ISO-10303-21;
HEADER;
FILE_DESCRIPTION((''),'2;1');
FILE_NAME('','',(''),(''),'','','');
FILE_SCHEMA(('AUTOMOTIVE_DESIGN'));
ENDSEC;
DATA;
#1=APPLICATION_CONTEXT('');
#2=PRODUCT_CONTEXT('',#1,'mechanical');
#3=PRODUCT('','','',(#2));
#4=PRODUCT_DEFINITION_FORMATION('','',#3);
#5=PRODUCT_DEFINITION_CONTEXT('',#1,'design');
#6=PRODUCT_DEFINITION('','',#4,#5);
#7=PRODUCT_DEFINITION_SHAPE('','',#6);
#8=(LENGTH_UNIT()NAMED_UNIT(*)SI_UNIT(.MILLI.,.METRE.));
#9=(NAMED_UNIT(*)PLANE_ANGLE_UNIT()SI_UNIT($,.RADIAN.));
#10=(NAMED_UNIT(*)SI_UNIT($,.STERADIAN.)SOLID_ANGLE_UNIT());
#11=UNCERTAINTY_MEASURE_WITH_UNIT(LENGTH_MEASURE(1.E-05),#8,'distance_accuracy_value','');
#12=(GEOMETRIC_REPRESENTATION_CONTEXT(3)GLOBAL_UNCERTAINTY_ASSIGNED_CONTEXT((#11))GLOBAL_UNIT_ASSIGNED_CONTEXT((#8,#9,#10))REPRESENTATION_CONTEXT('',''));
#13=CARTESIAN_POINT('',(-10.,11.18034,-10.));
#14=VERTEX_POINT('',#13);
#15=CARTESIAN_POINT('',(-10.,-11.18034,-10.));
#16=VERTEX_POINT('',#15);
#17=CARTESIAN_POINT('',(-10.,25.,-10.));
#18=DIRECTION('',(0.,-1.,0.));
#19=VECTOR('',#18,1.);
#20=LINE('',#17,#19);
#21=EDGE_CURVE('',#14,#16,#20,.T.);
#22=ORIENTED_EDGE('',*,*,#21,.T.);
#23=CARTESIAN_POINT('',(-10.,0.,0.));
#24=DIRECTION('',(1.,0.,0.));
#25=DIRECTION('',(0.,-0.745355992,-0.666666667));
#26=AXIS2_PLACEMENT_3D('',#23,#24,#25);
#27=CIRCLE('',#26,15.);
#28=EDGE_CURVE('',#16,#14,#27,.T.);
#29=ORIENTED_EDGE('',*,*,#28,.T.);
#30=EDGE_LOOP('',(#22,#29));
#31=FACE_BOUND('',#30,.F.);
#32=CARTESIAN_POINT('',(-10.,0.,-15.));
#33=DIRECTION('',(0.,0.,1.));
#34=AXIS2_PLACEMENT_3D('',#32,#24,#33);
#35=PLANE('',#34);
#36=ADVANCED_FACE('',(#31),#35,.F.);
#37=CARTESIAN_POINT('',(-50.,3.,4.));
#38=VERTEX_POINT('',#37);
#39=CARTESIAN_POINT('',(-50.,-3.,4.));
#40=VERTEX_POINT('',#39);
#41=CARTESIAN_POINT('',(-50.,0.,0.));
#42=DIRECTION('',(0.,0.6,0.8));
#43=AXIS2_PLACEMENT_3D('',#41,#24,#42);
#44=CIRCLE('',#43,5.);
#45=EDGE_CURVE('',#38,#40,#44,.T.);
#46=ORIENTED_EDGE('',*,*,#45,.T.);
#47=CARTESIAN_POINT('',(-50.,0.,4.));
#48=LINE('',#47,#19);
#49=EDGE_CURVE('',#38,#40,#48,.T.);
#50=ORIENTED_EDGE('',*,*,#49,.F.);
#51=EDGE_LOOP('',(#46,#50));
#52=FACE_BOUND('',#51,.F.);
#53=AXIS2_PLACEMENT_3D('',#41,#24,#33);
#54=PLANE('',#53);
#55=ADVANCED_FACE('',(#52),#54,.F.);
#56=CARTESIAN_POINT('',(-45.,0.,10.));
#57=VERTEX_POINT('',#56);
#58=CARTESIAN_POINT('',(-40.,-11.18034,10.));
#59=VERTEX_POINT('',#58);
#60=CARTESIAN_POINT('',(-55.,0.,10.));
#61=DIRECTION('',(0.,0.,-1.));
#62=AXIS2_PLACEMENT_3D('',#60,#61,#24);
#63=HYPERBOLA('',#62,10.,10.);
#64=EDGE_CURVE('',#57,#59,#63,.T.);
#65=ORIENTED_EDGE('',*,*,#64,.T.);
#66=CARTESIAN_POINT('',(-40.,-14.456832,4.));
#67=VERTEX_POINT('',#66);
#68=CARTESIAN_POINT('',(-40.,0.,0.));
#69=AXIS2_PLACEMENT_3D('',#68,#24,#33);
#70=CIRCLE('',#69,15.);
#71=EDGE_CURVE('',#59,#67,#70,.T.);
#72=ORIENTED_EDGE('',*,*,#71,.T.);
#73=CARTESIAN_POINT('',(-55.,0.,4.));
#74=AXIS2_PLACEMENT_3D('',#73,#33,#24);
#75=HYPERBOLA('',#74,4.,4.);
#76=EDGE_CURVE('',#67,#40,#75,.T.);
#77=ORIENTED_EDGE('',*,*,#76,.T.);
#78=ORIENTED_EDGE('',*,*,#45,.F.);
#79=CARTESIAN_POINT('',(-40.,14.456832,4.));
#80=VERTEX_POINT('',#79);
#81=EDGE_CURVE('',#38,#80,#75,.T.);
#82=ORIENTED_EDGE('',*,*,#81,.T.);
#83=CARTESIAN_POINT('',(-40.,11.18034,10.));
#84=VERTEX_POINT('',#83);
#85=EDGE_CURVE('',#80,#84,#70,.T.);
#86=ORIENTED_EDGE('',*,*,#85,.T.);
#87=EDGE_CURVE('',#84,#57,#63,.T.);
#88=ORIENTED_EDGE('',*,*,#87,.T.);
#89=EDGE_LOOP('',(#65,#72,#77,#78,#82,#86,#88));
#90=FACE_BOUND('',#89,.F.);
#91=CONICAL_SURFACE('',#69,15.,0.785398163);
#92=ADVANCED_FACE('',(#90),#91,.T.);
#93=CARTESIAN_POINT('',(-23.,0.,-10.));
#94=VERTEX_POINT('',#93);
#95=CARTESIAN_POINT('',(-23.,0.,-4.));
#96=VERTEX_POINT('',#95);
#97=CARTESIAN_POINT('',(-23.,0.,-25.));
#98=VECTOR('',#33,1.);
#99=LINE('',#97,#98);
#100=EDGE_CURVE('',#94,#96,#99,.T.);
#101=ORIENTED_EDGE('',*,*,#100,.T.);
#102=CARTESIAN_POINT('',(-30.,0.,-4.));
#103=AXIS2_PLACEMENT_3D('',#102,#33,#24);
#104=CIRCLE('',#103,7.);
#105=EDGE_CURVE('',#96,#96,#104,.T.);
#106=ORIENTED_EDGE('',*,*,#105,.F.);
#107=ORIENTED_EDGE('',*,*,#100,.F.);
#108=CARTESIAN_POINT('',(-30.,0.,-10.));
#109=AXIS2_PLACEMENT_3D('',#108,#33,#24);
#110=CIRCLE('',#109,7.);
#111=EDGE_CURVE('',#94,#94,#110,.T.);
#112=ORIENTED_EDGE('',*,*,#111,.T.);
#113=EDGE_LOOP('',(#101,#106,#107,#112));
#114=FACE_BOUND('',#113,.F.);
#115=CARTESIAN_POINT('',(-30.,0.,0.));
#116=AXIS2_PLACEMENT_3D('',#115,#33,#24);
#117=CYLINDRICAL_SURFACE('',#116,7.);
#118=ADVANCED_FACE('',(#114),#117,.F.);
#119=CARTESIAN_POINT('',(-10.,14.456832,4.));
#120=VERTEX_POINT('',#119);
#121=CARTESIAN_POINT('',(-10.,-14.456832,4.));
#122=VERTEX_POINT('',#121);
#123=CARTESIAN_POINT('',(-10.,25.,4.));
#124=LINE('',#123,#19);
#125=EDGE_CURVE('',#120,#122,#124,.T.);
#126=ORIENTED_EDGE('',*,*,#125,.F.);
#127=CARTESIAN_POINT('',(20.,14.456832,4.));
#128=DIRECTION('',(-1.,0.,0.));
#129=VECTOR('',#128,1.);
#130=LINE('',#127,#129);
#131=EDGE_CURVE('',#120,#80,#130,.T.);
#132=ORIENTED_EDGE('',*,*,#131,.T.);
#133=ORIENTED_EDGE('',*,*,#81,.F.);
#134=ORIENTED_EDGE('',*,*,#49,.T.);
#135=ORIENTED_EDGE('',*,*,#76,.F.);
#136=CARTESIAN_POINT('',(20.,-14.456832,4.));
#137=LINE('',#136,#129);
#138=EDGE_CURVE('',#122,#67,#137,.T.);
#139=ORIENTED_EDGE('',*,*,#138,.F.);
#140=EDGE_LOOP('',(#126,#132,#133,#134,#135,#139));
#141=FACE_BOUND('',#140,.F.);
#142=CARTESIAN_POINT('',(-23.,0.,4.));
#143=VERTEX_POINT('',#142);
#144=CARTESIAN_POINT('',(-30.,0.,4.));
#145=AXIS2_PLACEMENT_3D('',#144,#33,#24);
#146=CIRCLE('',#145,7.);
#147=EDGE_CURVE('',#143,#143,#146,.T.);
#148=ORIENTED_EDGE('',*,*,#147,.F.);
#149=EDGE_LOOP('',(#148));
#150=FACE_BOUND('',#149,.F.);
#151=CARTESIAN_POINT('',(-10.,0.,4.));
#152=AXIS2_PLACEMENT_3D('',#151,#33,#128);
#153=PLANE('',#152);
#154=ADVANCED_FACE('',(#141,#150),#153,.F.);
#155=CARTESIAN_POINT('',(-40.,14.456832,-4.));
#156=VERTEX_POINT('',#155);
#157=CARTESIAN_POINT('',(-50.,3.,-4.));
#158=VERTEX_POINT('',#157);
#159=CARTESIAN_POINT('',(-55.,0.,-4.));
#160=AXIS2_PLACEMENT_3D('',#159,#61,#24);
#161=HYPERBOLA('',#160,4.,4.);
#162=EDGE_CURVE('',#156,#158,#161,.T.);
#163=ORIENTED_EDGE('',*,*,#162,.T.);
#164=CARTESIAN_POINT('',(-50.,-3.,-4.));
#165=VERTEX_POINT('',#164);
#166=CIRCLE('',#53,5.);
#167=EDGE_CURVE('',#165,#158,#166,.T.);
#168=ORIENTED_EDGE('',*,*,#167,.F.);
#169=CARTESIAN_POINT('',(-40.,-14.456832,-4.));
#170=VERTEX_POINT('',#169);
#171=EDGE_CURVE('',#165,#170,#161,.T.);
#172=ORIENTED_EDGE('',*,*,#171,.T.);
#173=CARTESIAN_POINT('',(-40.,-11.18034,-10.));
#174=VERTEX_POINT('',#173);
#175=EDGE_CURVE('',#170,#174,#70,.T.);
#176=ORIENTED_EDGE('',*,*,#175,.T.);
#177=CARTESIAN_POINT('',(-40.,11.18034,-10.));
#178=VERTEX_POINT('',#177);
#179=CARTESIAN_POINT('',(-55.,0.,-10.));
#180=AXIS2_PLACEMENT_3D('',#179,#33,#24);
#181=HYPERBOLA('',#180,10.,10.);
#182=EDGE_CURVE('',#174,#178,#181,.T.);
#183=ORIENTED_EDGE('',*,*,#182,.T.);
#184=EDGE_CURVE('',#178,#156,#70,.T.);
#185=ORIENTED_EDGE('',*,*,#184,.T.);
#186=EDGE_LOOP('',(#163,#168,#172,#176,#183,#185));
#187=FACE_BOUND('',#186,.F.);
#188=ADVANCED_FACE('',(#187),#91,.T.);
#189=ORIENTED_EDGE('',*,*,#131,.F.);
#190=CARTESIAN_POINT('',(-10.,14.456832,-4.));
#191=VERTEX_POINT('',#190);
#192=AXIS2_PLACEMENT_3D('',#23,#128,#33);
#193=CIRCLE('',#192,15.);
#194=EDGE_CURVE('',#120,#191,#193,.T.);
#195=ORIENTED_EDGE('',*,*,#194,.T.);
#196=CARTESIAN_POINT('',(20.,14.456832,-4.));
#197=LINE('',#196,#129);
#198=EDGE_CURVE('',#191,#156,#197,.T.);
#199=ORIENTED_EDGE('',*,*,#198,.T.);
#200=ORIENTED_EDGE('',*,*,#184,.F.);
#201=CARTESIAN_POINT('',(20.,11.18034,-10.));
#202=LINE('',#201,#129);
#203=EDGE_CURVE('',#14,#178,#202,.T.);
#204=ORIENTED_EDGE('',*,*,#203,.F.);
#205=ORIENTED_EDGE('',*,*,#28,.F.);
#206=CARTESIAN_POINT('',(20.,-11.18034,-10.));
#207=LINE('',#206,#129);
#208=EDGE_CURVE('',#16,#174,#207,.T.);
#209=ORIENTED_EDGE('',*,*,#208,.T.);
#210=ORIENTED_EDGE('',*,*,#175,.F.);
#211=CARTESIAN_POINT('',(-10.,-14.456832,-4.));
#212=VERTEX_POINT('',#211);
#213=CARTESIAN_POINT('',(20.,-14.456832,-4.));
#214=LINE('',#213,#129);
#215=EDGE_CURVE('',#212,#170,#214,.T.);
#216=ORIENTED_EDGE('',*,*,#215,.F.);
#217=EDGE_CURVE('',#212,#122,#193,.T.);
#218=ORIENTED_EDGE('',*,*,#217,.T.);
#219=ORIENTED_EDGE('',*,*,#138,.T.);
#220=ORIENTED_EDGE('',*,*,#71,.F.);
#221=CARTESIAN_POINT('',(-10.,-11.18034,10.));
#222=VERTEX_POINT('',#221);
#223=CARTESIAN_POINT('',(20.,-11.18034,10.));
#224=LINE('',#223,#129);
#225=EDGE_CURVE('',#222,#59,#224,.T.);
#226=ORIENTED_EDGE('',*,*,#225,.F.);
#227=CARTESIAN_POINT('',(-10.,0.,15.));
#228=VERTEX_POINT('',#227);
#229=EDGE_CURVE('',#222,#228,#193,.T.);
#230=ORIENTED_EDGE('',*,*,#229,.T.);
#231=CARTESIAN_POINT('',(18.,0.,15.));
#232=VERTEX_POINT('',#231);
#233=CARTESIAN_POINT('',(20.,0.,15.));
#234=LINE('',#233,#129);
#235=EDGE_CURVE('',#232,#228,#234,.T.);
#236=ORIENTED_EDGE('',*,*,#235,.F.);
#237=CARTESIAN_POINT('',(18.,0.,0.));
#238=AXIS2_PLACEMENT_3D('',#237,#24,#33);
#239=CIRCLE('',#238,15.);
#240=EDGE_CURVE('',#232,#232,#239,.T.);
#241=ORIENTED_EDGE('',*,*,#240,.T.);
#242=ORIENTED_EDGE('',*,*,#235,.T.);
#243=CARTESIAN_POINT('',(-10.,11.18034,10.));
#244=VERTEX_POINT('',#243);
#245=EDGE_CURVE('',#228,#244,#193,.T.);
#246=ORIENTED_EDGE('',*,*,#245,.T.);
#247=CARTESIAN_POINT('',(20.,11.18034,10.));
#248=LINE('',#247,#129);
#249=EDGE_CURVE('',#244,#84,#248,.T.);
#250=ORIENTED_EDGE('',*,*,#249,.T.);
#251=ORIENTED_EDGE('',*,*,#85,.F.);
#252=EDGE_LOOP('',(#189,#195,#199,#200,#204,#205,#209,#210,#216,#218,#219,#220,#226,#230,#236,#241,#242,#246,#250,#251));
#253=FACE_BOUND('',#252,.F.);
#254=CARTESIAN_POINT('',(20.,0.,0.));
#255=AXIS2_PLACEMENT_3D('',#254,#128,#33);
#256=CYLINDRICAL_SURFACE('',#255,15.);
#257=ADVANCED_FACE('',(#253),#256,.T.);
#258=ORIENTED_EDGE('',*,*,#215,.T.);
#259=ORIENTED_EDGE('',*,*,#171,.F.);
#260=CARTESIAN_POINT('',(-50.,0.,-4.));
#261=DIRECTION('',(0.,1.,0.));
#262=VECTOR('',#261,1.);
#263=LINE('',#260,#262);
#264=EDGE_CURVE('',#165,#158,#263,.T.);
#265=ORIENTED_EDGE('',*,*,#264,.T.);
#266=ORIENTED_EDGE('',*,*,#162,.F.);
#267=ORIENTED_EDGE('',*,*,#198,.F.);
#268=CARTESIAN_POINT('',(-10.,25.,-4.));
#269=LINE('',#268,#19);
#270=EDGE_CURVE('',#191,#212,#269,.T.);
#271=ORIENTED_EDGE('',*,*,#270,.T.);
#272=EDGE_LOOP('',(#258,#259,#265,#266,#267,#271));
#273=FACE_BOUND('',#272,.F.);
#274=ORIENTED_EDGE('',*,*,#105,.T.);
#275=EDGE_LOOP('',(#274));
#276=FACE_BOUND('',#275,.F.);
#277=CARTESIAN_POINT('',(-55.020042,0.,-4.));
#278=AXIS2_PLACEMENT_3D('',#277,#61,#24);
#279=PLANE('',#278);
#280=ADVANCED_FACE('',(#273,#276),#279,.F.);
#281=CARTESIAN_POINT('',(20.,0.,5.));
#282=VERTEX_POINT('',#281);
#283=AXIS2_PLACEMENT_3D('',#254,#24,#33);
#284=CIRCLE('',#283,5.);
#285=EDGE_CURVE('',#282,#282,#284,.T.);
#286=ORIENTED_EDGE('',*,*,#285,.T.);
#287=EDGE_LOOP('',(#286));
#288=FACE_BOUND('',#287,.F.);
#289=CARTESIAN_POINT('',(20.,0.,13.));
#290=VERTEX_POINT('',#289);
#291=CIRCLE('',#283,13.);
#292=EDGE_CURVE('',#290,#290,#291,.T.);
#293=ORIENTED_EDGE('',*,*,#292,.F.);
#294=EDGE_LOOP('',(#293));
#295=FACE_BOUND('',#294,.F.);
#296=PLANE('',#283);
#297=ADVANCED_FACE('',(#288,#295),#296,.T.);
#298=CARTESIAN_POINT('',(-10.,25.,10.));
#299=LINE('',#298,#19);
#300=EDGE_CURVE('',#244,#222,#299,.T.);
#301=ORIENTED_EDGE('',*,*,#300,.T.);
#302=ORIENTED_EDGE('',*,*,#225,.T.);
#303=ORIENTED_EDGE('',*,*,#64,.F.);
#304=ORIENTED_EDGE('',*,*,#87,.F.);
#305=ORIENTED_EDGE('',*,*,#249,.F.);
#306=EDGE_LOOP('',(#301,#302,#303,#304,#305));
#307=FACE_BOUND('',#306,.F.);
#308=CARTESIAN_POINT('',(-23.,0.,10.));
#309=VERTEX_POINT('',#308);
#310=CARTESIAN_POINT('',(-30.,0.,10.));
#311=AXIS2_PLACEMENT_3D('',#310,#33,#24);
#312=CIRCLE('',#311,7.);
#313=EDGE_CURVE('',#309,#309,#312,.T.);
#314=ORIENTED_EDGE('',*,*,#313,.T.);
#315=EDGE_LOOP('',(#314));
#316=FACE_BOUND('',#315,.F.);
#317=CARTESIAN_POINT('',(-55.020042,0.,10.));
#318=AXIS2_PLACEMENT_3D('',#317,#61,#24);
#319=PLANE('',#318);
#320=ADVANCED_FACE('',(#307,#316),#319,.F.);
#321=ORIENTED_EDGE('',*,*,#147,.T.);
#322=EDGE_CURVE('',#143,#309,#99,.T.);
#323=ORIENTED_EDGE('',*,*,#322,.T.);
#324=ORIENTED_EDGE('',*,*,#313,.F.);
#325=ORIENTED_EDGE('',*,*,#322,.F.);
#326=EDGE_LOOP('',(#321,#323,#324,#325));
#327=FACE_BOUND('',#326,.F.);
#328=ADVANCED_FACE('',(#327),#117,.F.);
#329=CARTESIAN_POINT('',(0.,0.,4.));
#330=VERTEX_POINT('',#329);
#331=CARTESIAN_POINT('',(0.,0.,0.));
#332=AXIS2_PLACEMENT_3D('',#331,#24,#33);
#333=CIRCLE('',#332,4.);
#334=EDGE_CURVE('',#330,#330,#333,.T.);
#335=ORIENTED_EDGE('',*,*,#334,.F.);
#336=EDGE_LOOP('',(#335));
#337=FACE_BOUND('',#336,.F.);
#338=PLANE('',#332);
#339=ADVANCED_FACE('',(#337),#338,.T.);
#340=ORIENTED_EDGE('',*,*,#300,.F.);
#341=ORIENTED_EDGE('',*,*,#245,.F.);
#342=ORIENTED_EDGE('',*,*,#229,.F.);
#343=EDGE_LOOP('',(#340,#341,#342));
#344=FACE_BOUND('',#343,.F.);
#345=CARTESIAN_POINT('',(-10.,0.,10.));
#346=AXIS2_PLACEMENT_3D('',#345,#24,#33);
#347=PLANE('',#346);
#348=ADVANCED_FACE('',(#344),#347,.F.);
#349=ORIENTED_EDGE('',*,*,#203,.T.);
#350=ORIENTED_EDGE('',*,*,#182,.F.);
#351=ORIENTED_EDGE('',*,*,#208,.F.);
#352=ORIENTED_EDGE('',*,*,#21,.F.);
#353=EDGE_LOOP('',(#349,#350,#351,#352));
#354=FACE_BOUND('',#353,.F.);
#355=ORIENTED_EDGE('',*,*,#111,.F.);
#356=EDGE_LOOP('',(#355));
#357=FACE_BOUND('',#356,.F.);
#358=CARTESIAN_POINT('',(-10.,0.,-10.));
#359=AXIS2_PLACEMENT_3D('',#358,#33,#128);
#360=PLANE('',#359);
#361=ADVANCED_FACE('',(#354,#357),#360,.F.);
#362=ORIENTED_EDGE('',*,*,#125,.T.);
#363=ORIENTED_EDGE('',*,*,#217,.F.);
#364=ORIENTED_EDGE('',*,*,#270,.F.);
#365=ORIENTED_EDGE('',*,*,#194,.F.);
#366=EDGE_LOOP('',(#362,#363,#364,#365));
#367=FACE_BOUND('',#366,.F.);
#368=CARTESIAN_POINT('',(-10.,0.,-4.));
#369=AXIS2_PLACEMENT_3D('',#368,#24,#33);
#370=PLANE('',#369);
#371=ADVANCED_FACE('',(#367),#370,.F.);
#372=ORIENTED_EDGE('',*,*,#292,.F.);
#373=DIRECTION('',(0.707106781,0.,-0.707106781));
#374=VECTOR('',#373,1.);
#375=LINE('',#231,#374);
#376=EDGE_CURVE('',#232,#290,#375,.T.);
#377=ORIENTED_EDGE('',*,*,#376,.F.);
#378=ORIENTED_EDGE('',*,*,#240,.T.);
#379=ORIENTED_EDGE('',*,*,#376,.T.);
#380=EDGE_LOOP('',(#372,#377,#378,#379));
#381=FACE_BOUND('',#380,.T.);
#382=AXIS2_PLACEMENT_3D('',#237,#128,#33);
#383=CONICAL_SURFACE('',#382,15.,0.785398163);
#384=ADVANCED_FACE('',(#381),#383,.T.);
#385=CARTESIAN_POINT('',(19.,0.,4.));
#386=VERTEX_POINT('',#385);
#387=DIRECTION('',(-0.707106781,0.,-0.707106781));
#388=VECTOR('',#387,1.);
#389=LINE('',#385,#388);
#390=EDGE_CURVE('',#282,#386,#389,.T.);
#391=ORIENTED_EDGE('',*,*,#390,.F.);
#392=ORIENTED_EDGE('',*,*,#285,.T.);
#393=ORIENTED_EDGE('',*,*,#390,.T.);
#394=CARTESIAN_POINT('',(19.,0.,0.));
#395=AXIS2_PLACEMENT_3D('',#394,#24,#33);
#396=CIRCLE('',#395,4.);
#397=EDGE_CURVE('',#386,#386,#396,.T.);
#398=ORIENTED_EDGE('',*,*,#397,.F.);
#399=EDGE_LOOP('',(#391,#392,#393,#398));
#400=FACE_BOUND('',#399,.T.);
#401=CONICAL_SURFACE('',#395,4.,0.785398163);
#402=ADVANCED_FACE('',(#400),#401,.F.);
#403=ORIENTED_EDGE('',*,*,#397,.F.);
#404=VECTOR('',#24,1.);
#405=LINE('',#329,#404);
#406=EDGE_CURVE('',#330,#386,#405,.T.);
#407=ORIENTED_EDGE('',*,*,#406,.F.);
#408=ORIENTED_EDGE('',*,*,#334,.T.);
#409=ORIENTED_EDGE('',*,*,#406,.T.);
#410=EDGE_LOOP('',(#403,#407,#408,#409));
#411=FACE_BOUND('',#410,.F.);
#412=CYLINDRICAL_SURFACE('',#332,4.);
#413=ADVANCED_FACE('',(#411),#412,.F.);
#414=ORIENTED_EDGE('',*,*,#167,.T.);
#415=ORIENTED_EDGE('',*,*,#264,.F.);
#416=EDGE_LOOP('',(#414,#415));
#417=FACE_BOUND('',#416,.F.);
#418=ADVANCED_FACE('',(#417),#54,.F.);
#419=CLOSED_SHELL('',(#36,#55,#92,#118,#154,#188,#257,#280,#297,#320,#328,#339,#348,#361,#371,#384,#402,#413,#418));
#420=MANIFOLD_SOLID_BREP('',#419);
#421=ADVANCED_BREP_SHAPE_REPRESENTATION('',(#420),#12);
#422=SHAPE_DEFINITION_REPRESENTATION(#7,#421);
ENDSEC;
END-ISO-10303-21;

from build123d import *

# Parameters (mm, degrees)
F3_SIZE  = 10
F4_DEPTH = 25
F5_R     = 7
F6_DEPTH = 25
F7_SIZE  = 2
F8_SIZE  = 1


with BuildPart() as f1:
    # F0 (on Front) → F1 (revolve)
    with BuildSketch(Plane.XZ):
        Polygon((-50, 0), (0, 0), (0, 4), (20, 4), (20, 15), (-50, 15), align=None)
    revolve(axis=Axis((-25, 0, 0), (1, 0, 0)))

    # F3
    f3_edges = [f1.edges().sort_by_distance(p)[0] for p in [
        (-50, 0, -15),
    ]]
    chamfer(f3_edges, length=F3_SIZE)

    # F2 (on Front) → F4 (cut, symmetric)
    with BuildSketch(Plane.XZ):
        Polygon((-60.617507, 4), (-60.617507, 0), (-60.617507, -4), (-60.617507, -15), (-10, -15), (-10, -10), (-55.020042, -10), (-55.020042, -4), (-10, -4), (-10, -2), (-10, 2), (-10, 4), (-55.020042, 4), (-55.020042, 10), (-10, 10), (-10, 15), (-60.617507, 15), align=None)
    extrude(amount=F4_DEPTH, both=True, mode=Mode.SUBTRACT)

    # F5 (on Top) → F6 (cut, symmetric)
    with BuildSketch(Plane.XY):
        with Locations((-30, 0)):
            Circle(F5_R)
    extrude(amount=F6_DEPTH, both=True, mode=Mode.SUBTRACT)

    # F7
    f7_edges = [f1.edges().sort_by_distance(p)[0] for p in [
        (20, 0, -15),
    ]]
    chamfer(f7_edges, length=F7_SIZE)

    # F8
    f8_edges = [f1.edges().sort_by_distance(p)[0] for p in [
        (20, 0, -4),
    ]]
    chamfer(f8_edges, length=F8_SIZE)


solid = f1.part
